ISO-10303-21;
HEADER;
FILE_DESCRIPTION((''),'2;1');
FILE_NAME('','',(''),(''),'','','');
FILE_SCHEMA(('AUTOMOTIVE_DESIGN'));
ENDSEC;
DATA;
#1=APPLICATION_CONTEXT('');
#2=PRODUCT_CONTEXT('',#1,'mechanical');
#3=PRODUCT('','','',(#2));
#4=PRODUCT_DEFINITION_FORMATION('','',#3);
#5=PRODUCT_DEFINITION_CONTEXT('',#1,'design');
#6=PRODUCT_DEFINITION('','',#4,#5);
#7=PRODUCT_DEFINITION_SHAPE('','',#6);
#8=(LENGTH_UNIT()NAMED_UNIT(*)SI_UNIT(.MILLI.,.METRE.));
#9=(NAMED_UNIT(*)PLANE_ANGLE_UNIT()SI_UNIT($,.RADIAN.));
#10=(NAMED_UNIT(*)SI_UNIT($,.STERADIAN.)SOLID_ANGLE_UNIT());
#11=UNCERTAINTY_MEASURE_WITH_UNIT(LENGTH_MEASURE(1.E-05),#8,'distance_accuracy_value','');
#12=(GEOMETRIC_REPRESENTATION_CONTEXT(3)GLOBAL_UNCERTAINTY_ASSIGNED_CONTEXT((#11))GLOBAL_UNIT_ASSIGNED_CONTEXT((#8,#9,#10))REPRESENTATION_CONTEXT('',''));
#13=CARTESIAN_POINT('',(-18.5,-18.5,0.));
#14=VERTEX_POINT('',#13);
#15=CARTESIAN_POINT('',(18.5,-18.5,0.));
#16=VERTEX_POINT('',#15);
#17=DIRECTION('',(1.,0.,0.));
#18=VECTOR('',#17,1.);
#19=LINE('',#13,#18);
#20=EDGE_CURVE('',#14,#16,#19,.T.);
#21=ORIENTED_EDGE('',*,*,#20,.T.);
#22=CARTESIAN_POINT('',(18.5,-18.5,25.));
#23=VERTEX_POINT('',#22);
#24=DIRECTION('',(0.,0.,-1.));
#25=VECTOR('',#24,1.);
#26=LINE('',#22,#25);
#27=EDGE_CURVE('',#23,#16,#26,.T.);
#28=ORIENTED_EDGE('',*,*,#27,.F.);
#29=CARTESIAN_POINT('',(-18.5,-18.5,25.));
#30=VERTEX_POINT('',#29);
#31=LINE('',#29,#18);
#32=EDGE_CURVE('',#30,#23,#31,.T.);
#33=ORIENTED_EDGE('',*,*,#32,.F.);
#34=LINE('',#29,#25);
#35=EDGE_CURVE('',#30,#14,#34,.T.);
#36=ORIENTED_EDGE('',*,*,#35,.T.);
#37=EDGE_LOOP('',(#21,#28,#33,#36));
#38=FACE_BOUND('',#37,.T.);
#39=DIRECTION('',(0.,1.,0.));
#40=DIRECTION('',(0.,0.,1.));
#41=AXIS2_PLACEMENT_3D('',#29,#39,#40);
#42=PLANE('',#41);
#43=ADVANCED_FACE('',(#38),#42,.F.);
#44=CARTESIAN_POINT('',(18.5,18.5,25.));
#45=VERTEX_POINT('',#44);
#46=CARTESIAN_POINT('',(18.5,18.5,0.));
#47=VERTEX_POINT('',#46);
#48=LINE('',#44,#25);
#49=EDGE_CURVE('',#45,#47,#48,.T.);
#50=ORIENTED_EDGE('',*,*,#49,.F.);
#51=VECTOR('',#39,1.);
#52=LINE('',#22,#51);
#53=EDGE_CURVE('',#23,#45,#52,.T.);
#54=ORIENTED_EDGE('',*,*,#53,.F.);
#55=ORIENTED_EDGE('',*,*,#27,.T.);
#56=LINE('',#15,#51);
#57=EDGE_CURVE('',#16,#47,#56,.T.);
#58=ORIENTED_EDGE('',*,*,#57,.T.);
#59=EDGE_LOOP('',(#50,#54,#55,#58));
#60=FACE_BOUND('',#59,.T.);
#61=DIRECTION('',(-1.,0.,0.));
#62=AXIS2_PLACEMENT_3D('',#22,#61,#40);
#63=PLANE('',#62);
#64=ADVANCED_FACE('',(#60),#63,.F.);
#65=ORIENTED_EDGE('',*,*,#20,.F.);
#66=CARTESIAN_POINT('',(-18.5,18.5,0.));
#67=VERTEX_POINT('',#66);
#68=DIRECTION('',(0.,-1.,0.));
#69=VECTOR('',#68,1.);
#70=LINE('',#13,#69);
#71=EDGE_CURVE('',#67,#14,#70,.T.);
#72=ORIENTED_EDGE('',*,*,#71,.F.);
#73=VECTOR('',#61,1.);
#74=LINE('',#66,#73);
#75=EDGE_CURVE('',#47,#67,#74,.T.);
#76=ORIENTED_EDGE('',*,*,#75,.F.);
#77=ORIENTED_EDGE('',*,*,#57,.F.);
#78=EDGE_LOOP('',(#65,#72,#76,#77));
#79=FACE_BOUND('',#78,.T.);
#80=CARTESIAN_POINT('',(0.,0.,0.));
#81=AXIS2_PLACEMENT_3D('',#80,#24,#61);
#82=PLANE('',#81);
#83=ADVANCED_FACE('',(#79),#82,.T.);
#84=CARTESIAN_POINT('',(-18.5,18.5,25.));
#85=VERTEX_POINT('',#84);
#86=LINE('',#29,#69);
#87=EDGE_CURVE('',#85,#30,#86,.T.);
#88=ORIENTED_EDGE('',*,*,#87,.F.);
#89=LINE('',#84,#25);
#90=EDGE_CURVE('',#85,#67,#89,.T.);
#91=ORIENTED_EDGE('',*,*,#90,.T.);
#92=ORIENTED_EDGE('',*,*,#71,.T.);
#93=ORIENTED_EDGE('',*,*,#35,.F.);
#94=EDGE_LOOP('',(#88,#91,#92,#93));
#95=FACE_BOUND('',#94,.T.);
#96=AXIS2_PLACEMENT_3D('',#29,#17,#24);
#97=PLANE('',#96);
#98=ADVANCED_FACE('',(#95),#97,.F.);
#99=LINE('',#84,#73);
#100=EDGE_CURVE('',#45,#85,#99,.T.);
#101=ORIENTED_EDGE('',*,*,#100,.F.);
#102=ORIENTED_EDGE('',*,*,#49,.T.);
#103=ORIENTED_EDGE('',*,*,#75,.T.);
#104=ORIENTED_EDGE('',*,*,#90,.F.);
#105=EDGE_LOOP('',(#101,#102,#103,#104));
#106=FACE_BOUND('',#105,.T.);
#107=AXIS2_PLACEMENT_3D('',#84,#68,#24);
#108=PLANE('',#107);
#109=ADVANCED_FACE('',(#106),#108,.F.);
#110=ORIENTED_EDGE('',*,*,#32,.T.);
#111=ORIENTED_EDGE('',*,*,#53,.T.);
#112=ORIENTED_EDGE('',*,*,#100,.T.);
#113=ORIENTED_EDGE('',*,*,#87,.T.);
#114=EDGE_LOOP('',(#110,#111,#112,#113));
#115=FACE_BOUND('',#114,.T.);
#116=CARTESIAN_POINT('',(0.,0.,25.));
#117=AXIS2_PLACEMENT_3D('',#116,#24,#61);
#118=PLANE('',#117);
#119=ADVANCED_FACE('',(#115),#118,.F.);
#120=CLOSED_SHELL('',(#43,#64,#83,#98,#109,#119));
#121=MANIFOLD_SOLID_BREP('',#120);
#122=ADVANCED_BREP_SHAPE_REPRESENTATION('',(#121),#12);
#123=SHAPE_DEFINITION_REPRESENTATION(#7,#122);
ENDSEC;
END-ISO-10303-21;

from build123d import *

# Parameters (mm, degrees)
REFERENCE_BACK_BOUNDS_37X37_W                  = 37
REFERENCE_BACK_BOUNDS_37X37_H                  = 37
REAR25_CLEARANCE_ENVELOPE_NOT_REAL_SHAPE_DEPTH = 25


with BuildPart() as part:
    # Reference_back_bounds_37x37 → Rear25_CLEARANCE_ENVELOPE_NOT_REAL_SHAPE (new body)
    with BuildSketch(Plane.XY):
        Rectangle(REFERENCE_BACK_BOUNDS_37X37_W, REFERENCE_BACK_BOUNDS_37X37_H)
    extrude(amount=REAR25_CLEARANCE_ENVELOPE_NOT_REAL_SHAPE_DEPTH)


solid = part.part
